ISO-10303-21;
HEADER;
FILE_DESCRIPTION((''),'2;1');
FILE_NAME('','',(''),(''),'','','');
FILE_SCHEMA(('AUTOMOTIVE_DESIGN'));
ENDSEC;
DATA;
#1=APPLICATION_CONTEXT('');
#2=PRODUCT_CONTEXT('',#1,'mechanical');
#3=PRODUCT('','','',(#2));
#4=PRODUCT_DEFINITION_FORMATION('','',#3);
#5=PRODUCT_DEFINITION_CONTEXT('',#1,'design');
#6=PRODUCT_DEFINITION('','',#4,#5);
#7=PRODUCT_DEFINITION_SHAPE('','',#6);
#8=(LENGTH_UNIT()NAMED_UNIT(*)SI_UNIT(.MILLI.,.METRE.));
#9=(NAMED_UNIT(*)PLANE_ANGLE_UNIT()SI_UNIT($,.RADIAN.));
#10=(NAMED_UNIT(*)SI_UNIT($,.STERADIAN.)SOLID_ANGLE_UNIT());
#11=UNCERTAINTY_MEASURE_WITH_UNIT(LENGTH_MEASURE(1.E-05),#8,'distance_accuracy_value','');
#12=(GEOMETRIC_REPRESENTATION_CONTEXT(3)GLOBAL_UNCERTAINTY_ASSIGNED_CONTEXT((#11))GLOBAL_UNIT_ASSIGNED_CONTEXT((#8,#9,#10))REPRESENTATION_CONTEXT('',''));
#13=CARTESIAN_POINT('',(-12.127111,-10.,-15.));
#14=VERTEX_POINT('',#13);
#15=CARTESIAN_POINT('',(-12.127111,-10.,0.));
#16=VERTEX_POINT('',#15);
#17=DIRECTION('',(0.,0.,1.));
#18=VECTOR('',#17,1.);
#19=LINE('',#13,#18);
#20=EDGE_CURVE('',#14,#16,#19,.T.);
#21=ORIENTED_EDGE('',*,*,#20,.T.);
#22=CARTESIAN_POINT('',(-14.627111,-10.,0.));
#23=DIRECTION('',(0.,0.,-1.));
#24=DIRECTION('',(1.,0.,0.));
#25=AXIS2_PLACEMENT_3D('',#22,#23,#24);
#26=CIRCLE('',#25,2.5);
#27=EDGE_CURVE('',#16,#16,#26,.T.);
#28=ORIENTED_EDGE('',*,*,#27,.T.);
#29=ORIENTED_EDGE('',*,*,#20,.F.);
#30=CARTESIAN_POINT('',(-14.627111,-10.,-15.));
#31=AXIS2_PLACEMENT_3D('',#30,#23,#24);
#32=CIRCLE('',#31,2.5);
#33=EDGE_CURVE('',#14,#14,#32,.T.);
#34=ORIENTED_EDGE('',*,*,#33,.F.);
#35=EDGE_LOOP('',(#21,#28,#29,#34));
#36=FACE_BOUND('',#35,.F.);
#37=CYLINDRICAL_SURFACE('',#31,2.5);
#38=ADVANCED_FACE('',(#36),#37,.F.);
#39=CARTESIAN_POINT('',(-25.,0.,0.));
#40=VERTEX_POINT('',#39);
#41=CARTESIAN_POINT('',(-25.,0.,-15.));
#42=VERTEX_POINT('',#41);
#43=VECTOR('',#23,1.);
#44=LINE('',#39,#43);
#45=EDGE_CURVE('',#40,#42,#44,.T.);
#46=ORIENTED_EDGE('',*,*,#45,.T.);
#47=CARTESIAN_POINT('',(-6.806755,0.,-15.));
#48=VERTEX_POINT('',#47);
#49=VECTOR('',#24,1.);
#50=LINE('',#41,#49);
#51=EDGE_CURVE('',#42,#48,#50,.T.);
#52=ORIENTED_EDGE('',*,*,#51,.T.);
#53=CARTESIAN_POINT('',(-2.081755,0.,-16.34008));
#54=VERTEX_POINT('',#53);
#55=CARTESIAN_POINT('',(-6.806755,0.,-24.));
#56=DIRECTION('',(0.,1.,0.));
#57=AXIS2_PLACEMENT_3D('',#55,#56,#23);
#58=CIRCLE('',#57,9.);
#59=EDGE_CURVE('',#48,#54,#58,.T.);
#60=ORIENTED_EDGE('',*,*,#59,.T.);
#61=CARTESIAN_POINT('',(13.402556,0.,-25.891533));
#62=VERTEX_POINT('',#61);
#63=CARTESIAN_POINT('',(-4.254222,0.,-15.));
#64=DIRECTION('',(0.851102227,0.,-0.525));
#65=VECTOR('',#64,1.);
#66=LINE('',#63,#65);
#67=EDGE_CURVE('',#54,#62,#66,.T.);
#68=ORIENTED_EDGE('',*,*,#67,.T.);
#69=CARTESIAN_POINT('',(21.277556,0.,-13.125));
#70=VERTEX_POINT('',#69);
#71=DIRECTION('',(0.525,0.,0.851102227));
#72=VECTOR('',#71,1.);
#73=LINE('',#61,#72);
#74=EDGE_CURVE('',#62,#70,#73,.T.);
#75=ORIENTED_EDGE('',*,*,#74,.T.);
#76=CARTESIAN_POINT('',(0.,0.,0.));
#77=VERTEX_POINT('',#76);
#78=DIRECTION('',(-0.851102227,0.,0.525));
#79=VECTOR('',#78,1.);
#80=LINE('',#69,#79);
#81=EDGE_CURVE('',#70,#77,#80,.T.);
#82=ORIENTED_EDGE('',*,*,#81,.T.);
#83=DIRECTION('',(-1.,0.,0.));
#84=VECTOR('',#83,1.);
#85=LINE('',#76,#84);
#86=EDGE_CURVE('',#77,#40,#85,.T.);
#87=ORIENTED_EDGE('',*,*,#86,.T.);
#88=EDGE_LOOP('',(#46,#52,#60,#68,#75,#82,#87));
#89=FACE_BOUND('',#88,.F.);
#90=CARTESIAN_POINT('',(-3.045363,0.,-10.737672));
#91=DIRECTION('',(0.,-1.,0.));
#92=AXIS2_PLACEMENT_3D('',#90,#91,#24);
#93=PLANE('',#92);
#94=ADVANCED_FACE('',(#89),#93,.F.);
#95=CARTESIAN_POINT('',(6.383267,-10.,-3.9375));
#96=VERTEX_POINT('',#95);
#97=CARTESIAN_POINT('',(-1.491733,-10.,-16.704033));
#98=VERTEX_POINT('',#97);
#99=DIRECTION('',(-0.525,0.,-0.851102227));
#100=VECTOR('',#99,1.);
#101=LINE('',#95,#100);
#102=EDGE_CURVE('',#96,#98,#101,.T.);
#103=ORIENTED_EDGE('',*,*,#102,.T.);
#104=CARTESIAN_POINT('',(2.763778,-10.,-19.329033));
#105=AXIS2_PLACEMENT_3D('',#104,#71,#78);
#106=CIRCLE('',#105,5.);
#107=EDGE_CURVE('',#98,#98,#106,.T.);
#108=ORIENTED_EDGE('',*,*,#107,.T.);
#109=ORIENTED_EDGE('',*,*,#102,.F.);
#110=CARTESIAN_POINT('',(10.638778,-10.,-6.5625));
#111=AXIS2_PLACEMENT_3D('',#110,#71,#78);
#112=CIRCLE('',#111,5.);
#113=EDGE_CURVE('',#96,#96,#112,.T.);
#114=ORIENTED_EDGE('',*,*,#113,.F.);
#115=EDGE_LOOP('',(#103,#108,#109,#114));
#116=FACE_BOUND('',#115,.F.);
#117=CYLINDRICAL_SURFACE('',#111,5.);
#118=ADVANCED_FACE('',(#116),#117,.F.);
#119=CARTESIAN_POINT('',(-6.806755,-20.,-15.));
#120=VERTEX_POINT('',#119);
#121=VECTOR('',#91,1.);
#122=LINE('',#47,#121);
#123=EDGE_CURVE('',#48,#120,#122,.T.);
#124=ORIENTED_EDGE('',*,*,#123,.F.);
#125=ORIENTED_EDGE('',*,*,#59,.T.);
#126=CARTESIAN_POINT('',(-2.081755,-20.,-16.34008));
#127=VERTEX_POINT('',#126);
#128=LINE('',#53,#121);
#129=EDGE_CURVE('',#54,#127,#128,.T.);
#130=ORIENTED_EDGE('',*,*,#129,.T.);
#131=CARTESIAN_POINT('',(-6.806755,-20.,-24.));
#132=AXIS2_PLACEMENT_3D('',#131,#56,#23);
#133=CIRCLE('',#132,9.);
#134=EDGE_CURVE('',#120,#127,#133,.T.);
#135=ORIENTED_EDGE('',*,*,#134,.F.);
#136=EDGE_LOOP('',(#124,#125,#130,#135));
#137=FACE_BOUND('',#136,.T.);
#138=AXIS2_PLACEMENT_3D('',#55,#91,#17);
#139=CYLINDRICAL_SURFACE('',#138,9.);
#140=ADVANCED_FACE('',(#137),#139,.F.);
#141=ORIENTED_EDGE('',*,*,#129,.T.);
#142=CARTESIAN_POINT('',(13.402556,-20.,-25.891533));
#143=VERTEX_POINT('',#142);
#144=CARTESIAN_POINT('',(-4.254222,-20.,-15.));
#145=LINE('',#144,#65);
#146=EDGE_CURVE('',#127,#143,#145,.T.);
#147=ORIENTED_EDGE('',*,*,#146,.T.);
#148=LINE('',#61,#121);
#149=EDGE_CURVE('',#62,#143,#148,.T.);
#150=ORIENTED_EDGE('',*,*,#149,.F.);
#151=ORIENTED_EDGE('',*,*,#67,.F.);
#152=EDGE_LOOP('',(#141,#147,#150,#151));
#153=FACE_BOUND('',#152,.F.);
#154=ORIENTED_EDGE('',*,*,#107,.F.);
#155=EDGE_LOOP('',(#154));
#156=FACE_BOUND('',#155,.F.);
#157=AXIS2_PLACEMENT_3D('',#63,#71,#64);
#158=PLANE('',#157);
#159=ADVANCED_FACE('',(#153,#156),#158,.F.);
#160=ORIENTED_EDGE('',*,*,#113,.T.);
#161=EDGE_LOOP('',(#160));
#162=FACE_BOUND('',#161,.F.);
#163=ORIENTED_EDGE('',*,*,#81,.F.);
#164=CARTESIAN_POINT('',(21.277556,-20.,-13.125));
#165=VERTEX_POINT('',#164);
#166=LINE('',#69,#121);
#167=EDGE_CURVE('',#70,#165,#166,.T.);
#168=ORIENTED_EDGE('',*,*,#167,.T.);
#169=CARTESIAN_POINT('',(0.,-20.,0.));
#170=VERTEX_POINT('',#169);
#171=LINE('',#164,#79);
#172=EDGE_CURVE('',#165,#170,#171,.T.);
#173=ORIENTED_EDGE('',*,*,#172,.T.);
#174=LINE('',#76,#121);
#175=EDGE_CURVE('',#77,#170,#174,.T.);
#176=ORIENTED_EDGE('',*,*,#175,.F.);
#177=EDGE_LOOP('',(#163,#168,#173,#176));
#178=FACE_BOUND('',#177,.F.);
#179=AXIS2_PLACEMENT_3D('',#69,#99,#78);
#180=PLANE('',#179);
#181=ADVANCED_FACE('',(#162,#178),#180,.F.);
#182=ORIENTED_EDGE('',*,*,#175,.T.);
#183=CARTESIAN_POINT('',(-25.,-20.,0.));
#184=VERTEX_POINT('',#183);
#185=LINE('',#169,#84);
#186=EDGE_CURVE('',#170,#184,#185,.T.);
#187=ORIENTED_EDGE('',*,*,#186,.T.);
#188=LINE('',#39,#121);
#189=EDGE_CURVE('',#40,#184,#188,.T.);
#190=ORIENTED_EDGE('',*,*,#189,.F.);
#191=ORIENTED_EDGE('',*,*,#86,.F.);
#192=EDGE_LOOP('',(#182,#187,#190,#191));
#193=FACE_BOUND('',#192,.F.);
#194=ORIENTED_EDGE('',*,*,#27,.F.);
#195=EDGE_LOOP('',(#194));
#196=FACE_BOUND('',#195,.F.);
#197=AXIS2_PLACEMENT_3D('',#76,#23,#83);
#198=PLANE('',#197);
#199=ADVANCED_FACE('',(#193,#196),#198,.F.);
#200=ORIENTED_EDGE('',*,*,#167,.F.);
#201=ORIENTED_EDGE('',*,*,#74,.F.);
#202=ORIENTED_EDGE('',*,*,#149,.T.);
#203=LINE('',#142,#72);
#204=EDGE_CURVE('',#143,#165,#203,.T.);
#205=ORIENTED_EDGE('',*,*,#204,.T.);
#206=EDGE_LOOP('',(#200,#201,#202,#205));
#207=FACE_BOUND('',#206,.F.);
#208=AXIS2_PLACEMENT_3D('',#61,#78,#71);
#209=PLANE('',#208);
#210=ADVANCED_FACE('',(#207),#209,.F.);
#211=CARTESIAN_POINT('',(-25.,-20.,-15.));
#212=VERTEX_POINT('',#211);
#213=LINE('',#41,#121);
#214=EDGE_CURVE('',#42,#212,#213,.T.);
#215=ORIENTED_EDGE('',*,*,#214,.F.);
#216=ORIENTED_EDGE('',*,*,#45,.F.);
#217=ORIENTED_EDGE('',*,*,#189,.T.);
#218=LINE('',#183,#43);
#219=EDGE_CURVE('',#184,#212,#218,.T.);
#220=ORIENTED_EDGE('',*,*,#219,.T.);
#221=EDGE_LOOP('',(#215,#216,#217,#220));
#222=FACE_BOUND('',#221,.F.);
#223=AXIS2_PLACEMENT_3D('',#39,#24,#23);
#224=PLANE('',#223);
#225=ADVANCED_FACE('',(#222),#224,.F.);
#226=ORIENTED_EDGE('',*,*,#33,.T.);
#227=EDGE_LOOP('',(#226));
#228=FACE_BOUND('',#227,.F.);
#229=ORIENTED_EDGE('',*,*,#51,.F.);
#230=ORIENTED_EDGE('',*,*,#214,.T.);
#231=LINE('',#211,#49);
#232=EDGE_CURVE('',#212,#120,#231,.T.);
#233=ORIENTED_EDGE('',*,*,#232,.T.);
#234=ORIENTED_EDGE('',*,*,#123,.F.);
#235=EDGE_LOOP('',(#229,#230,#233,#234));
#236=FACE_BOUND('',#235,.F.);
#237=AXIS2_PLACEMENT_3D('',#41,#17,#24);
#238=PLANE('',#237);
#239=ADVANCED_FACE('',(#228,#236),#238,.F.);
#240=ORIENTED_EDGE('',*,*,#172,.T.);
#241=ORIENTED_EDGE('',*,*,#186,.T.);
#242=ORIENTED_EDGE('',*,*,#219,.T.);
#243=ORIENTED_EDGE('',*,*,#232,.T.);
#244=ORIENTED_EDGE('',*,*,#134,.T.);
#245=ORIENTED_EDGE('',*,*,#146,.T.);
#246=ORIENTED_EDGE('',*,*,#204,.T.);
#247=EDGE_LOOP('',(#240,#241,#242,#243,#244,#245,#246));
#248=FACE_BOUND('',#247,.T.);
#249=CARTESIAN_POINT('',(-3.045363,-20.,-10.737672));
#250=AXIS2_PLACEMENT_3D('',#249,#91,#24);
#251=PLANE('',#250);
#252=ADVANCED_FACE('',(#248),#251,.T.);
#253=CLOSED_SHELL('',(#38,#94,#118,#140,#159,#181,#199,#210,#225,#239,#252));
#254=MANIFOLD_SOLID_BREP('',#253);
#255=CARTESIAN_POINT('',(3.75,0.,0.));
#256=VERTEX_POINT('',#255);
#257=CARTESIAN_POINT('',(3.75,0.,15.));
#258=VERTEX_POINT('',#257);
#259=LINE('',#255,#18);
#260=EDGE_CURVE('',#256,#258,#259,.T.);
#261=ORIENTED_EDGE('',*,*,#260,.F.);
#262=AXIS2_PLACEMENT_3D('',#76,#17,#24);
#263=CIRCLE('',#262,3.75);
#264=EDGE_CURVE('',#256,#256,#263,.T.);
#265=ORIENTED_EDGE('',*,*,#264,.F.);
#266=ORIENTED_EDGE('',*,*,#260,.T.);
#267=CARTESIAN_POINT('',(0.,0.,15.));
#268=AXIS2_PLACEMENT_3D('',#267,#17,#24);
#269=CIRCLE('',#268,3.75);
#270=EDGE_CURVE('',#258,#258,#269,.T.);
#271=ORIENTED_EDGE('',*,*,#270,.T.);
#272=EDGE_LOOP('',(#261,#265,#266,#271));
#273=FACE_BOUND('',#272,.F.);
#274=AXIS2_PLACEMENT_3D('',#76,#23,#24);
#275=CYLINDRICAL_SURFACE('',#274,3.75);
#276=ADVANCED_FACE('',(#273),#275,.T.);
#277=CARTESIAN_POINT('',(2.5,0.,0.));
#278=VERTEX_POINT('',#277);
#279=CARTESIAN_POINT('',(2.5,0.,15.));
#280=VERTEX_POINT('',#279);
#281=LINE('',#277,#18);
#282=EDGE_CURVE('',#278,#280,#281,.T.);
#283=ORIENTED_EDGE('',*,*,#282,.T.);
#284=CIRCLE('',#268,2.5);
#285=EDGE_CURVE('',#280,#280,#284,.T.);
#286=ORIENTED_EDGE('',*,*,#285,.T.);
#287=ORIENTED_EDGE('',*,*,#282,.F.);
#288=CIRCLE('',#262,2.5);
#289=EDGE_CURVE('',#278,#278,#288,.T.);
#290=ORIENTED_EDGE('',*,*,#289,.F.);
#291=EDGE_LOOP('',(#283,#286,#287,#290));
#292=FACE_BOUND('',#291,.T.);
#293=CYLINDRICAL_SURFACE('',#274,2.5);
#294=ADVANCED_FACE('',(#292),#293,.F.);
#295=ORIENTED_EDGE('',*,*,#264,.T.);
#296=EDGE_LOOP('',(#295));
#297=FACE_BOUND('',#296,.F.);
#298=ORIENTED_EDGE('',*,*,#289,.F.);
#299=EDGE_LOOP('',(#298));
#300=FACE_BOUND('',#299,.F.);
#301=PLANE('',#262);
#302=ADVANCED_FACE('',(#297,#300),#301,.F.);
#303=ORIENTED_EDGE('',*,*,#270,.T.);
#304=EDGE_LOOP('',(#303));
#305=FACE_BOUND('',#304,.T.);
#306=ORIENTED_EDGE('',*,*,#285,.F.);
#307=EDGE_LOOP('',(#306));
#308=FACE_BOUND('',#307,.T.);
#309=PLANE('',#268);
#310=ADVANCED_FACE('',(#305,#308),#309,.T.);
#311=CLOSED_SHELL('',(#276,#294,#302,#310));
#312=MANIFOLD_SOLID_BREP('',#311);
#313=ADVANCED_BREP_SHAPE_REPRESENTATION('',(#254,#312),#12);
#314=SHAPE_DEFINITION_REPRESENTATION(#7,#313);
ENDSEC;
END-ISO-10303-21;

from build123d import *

# Parameters (mm, degrees)
PAD_DEPTH       = 20
SKETCH001_R     = 5
POCKET_DEPTH    = 35.1623417232
SKETCH002_R     = 2.5
POCKET001_DEPTH = 15.001
FILLET_R        = 9
SKETCH003_R     = 3.75
SKETCH003_R_2   = 2.5
PAD001_DEPTH    = 15


with BuildPart() as body:
    # Sketch → Pad (new body)
    with BuildSketch(Plane.XZ):
        Polygon((0, 0), (-25, 0), (-25, -15), (-4.2542220992, -15), (13.4025556632, -25.8915333979), (21.2775556632, -13.125), align=None)
    extrude(amount=PAD_DEPTH)

    # Sketch001 (on Face6 of Pad) → Pocket (cut, through all)
    with BuildSketch(Plane(origin=(0, 0, 0), x_dir=(-0.8511022265, 0, 0.525), z_dir=(0.525, 0, 0.8511022265))):
        with Locations((-12.5, 10)):
            Circle(SKETCH001_R)
    extrude(amount=-POCKET_DEPTH, mode=Mode.SUBTRACT)

    # Sketch002 (on Face8 of Pocket) → Pocket001 (cut, through all)
    with BuildSketch(Plane(origin=(0, 0, -15), x_dir=(1, 0, 0), z_dir=(0, 0, -1))):
        with Locations((-14.6271110496, 10)):
            Circle(SKETCH002_R)
    extrude(amount=-POCKET001_DEPTH, mode=Mode.SUBTRACT)

    # Fillet
    fillet_edges = [body.edges().sort_by_distance(p)[0] for p in [
        (-4.254222, -10, -15),
    ]]
    fillet(fillet_edges, radius=FILLET_R)


with BuildPart() as spacer:
    # Sketch003 → Pad001 (new body)
    with BuildSketch(Plane.XY):
        Circle(SKETCH003_R)
        Circle(SKETCH003_R_2, mode=Mode.SUBTRACT)
    extrude(amount=PAD001_DEPTH)


solid = Compound([body.part, spacer.part])
